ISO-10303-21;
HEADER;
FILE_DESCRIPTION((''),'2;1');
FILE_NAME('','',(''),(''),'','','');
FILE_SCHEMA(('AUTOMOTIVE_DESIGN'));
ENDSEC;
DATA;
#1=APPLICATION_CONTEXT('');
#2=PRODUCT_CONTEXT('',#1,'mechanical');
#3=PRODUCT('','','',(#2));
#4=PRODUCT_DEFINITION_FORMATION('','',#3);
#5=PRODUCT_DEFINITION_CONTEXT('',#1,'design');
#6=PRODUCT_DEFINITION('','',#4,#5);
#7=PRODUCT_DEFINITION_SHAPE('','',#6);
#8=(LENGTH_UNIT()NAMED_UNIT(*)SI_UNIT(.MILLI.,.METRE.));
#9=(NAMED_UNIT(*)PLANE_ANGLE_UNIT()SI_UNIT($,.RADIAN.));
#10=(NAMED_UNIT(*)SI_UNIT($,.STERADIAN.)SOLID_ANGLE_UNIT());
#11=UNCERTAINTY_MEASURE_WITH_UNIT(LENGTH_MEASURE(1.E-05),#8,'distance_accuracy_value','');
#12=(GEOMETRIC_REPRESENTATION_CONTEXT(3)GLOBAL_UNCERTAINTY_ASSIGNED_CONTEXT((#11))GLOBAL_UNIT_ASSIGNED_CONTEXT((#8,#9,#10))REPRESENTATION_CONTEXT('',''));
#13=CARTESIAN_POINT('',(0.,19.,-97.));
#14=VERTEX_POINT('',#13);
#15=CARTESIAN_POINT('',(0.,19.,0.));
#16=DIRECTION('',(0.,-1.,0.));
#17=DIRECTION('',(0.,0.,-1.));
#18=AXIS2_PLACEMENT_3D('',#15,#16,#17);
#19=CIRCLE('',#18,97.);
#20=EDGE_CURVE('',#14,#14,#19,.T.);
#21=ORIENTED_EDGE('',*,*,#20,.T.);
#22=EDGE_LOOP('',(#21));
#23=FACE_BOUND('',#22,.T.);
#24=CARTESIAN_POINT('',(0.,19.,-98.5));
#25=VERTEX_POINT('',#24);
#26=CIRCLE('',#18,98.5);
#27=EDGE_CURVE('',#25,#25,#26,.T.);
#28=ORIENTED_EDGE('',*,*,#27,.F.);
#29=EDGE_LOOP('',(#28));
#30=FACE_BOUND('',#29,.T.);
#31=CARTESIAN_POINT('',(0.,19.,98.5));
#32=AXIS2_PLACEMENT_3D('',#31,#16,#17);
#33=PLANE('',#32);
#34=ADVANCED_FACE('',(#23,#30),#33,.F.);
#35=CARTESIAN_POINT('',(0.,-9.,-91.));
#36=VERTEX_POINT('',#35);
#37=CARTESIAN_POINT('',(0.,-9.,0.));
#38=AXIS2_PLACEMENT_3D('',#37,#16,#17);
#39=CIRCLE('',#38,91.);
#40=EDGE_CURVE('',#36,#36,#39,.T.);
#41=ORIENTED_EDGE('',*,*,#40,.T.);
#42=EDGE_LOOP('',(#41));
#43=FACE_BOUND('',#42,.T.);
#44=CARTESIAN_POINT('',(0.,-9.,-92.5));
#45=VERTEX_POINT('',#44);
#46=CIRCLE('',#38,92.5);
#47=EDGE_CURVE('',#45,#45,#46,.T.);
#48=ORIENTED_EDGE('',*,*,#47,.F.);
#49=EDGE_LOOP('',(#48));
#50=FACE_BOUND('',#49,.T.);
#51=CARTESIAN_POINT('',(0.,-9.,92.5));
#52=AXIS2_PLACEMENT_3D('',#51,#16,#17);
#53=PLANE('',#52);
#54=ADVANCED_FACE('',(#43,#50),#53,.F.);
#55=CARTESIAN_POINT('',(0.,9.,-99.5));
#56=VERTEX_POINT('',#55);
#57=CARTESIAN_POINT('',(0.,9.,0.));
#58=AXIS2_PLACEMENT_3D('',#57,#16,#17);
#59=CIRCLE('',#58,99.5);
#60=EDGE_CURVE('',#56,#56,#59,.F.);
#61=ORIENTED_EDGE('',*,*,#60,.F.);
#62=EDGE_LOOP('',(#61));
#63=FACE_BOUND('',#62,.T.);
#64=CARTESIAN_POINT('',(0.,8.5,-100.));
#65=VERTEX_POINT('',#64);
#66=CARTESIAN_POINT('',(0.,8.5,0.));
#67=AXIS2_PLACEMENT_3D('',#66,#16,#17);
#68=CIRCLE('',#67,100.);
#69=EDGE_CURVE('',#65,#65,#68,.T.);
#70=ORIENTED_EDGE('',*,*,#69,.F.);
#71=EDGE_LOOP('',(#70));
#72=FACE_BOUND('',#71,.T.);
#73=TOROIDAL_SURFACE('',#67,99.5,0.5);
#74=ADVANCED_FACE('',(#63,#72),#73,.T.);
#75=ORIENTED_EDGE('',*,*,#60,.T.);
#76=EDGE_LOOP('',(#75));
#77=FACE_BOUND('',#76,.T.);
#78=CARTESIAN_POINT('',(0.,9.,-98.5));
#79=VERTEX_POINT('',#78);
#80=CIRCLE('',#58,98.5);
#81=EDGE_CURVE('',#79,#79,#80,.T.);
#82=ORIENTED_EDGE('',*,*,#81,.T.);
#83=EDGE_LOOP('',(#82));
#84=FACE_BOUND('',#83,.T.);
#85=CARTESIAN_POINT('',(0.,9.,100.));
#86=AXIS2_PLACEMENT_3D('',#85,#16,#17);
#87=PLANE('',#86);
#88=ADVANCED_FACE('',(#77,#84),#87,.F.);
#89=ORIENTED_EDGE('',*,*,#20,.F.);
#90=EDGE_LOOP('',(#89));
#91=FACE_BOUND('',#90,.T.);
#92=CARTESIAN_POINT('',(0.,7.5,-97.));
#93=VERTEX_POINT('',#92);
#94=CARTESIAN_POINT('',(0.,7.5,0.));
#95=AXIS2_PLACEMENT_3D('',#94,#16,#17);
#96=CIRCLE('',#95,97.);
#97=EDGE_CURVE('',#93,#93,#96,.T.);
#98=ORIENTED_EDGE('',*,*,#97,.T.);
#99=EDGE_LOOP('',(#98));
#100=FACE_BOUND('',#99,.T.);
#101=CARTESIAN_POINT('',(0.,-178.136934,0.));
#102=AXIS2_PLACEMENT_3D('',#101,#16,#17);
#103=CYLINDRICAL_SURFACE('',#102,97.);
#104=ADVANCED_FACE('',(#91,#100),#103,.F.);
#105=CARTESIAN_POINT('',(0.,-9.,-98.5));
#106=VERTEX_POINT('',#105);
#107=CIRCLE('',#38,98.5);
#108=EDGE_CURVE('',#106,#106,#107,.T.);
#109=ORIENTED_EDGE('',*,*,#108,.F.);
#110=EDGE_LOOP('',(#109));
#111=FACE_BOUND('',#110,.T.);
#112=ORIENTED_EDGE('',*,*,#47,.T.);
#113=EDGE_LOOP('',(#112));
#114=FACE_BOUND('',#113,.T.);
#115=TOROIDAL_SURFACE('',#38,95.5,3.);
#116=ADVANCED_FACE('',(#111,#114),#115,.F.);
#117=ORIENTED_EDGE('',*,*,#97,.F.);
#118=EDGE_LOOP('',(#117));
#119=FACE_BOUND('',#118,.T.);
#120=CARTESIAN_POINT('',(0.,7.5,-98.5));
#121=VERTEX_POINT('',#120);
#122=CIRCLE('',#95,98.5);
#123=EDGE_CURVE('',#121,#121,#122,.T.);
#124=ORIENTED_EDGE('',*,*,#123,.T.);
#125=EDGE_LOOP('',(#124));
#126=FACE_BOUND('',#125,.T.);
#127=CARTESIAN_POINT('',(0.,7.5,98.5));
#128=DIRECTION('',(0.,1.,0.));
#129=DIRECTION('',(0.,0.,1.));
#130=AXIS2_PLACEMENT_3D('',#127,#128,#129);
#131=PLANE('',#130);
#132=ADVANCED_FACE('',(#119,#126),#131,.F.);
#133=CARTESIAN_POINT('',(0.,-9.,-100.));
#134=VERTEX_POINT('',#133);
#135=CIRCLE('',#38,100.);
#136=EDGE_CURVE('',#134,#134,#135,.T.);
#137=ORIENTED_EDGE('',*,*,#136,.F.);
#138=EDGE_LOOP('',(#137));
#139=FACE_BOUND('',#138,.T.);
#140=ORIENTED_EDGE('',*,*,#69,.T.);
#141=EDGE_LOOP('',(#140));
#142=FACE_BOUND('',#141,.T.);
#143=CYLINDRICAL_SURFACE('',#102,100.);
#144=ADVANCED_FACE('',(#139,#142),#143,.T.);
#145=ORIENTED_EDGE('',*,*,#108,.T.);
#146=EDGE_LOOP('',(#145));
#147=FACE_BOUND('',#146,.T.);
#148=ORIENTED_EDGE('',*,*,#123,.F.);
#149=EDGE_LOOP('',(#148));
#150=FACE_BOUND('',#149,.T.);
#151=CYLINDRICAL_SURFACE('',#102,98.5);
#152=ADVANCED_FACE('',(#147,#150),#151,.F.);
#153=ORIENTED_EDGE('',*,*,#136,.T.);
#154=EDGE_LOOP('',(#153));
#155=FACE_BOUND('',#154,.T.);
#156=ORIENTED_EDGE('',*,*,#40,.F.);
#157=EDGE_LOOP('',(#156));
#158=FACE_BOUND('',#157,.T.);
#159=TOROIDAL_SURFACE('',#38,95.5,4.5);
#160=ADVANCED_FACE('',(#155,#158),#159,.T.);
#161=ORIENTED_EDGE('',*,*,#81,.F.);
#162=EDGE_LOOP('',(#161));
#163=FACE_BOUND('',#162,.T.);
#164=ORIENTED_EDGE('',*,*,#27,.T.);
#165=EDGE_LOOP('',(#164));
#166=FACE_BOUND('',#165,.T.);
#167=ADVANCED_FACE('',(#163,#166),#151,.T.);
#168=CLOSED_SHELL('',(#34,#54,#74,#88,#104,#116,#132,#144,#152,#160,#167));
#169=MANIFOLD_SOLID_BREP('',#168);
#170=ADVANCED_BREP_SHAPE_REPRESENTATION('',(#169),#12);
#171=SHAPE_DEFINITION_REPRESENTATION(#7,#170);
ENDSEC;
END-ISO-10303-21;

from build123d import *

# Parameters (mm, degrees)
FILLET1_R = 0.5


with BuildPart() as part:
    # Sketch1 → Revolve1 (revolve)
    with BuildSketch(Plane.YZ, mode=Mode.PRIVATE) as revolve1_sk:
        with BuildLine():
            Line((-9, 100), (9, 100))
            Line((9, 100), (9, 98.5))
            Line((9, 98.5), (19, 98.5))
            Line((19, 98.5), (19, 97))
            Line((19, 97), (7.5, 97))
            Line((7.5, 97), (7.5, 98.5))
            Line((7.5, 98.5), (-9, 98.5))
            ThreePointArc((-9, 98.5), (-12, 95.5), (-9, 92.5))
            Line((-9, 92.5), (-9, 91))
            ThreePointArc((-9, 91), (-13.5, 95.5), (-9, 100))
        make_face()
    revolve(revolve1_sk.sketch.rotate(Axis((0, -178.136934236, 0), (0, 1, 0)), 180), axis=Axis((0, -178.136934236, 0), (0, 1, 0)))

    # Fillet1
    fillet1_edges = [part.edges().sort_by_distance(p)[0] for p in [
        (0, 9, 100),
    ]]
    fillet(fillet1_edges, radius=FILLET1_R)


solid = part.part
